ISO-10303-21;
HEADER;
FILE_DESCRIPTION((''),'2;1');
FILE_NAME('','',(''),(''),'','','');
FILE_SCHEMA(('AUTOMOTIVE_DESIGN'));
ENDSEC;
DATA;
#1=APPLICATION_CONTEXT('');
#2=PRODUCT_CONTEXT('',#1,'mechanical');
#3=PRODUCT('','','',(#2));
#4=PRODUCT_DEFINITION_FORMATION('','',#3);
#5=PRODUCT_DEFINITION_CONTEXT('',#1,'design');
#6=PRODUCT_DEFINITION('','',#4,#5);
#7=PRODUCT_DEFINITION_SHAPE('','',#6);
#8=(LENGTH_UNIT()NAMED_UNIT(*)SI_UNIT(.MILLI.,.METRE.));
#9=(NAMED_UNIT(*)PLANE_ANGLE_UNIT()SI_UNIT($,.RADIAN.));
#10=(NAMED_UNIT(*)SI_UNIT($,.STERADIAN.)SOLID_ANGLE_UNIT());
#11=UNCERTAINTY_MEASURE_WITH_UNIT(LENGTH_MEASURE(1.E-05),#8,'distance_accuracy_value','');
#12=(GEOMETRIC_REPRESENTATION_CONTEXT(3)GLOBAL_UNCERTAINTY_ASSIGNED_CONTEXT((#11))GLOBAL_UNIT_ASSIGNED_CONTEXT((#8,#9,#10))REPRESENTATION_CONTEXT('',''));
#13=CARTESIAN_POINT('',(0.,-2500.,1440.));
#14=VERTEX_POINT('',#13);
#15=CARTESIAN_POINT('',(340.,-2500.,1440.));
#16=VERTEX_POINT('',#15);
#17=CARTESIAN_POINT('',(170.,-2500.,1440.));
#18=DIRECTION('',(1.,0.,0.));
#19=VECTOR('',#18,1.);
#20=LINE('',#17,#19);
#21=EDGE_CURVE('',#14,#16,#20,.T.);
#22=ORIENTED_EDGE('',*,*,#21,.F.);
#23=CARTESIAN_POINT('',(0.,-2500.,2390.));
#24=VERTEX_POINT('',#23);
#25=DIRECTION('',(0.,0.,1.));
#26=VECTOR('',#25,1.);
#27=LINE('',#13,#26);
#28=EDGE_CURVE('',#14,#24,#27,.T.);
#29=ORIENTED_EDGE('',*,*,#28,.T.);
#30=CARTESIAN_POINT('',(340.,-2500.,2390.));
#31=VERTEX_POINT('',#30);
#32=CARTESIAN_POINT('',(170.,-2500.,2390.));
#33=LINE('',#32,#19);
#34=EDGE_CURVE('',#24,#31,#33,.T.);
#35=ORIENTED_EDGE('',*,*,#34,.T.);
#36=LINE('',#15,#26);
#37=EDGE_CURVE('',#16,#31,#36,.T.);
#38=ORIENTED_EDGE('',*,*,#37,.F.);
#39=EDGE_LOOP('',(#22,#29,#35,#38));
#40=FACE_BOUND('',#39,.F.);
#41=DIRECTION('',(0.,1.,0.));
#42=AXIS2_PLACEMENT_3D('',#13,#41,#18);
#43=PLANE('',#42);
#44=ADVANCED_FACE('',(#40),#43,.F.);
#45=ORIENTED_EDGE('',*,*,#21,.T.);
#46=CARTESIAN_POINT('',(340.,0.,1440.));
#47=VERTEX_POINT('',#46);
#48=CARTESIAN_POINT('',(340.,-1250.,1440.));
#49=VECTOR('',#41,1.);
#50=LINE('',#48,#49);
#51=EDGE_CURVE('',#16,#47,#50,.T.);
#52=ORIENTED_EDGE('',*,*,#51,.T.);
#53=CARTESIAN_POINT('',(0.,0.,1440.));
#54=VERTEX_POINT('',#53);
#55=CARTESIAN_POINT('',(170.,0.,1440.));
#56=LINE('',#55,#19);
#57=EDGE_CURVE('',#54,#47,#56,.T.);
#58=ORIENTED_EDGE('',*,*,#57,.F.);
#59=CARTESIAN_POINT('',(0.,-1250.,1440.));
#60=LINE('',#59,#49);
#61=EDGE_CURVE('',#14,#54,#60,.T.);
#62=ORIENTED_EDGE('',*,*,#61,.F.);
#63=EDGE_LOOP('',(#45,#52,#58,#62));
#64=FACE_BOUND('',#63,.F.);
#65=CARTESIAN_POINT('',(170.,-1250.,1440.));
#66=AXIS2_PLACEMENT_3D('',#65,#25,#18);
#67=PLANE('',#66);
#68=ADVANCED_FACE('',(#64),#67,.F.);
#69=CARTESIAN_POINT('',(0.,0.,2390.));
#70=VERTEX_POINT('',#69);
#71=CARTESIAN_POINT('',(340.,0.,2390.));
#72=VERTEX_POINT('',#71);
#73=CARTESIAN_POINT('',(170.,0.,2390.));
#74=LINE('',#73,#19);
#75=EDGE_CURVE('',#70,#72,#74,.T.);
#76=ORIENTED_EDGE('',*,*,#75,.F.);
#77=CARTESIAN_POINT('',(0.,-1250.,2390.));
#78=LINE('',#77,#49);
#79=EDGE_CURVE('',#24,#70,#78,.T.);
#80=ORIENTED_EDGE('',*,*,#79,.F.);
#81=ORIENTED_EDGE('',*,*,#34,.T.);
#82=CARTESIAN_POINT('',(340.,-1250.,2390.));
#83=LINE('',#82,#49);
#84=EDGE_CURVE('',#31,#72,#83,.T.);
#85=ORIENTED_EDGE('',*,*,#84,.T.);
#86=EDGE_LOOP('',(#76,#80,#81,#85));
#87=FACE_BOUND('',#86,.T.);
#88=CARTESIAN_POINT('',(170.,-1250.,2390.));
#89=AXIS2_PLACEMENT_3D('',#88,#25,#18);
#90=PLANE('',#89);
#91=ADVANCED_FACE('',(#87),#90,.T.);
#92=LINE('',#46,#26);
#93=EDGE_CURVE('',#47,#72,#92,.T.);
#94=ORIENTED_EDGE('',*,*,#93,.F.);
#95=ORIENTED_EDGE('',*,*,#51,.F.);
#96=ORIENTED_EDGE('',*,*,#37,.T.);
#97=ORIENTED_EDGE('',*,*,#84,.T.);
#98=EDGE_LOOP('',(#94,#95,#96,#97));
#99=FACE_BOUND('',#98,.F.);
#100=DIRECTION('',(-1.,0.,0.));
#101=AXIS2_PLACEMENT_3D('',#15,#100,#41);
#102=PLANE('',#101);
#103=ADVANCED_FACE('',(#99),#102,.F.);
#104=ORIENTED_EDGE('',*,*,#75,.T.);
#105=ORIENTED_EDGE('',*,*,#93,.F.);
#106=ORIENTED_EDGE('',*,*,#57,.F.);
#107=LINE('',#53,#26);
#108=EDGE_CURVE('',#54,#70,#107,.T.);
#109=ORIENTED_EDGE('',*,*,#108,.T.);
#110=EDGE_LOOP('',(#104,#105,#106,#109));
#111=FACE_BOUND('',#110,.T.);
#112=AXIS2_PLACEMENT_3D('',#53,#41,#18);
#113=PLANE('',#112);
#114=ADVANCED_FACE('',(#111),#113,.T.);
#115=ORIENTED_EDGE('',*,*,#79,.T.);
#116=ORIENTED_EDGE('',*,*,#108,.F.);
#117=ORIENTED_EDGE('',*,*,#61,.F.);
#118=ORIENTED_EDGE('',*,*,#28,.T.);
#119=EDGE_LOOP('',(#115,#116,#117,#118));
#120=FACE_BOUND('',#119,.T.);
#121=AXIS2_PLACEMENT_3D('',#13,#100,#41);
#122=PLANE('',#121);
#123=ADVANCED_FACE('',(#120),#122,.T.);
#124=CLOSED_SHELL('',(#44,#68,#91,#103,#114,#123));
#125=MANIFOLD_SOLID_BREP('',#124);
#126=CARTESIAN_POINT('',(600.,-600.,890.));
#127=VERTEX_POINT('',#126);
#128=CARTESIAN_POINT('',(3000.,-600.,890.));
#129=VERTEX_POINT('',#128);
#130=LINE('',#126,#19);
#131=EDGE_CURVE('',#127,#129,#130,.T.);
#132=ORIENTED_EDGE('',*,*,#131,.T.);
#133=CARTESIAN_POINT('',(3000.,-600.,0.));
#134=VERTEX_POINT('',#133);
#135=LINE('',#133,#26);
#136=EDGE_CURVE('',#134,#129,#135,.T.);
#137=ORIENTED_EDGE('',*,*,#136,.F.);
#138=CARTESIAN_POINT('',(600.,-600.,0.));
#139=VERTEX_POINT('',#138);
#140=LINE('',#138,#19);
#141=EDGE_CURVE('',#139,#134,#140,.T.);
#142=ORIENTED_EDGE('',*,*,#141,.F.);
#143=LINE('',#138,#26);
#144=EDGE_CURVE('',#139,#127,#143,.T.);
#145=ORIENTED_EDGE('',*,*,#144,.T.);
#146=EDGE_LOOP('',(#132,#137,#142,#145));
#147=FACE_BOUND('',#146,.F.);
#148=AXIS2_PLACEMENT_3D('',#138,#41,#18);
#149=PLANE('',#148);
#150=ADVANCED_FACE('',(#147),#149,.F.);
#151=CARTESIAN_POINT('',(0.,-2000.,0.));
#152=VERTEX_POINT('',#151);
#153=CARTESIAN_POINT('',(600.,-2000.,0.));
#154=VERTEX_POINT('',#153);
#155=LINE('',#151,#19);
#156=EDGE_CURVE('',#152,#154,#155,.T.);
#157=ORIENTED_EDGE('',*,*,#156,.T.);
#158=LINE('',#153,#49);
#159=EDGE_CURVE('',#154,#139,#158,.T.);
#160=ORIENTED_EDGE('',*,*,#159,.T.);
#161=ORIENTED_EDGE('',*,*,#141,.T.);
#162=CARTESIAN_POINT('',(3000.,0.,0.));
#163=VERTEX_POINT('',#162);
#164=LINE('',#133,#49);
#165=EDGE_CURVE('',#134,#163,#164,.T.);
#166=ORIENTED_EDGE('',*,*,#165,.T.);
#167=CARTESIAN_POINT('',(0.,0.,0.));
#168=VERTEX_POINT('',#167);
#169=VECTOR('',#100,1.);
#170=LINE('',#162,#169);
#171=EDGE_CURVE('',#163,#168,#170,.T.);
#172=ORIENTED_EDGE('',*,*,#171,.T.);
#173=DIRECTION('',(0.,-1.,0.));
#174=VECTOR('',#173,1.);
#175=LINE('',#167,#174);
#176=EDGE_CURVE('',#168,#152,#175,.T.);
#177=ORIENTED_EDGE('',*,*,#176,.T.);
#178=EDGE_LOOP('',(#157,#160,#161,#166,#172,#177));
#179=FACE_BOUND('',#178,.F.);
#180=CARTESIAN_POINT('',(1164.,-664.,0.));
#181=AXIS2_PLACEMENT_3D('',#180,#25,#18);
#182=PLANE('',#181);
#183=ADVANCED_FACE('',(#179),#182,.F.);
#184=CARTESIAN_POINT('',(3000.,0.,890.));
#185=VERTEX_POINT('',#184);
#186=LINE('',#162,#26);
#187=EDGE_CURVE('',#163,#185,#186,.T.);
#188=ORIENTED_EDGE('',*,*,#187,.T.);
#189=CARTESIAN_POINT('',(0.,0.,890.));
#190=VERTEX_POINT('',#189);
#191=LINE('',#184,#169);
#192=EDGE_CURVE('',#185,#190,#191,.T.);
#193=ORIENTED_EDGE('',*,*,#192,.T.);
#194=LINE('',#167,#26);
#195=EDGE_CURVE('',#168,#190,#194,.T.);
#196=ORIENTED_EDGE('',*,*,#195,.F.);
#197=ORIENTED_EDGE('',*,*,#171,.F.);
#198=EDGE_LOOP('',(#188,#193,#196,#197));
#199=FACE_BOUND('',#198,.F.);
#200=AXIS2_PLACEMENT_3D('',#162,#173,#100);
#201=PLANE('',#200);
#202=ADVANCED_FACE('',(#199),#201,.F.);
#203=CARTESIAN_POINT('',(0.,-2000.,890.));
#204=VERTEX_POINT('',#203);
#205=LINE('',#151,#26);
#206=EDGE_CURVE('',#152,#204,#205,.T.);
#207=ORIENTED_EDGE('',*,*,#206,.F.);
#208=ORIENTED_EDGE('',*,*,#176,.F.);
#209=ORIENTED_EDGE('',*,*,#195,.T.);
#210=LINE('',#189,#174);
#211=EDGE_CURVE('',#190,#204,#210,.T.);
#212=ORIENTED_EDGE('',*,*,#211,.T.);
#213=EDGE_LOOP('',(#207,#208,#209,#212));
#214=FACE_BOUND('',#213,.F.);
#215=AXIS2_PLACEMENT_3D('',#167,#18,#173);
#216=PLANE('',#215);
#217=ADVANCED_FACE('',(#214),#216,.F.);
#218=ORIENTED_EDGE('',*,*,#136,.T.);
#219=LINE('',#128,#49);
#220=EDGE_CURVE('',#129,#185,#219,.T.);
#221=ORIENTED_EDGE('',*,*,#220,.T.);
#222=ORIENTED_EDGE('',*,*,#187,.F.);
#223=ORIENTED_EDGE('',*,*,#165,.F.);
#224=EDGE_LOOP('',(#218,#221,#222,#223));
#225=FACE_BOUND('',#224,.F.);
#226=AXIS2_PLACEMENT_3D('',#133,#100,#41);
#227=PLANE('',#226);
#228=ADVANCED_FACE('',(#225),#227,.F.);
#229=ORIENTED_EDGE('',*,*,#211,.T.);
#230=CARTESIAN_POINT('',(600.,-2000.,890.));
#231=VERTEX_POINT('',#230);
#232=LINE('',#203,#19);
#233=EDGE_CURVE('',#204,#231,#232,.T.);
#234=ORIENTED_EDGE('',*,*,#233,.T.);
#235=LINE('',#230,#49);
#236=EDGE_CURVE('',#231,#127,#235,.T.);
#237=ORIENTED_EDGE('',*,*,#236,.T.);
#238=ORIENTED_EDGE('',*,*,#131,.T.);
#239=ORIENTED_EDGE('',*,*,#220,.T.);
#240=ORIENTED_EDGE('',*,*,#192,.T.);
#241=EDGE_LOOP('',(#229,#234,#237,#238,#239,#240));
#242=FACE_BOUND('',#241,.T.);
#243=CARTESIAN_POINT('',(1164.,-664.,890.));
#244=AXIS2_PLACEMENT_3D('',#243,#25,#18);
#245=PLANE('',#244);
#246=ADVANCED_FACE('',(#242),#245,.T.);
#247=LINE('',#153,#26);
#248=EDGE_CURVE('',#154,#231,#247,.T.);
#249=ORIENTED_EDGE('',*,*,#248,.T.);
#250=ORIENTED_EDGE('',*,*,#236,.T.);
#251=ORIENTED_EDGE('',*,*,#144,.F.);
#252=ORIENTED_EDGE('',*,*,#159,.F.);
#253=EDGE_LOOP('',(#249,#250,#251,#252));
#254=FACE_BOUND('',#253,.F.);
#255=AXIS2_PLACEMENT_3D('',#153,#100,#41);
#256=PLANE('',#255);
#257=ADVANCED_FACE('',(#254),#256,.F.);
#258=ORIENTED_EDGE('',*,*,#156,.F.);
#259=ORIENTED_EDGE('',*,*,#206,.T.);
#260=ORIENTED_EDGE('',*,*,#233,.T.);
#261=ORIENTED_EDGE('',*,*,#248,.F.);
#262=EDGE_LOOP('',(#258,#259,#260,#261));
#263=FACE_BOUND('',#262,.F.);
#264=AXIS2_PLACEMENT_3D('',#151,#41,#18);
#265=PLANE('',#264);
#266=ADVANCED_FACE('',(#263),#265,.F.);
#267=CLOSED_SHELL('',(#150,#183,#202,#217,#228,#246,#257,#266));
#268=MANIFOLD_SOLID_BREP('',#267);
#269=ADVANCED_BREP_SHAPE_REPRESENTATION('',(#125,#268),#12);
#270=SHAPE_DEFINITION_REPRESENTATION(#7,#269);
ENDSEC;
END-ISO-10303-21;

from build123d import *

# Parameters (mm, degrees)
F1_DEPTH = 890
F3_W     = 340
F3_H     = 2500
F4_DEPTH = 950


with BuildPart() as f1:
    # F0 (on Top) → F1 (new body)
    with BuildSketch(Plane.XY):
        Polygon((3000, 0), (0, 0), (0, -2000), (600, -2000), (600, -600), (3000, -600), align=None)
    extrude(amount=F1_DEPTH)


with BuildPart() as f4:
    # F3 (on offset) → F4 (new body)
    with BuildSketch(Plane.XY.offset(1440)):
        with Locations((170, -1250)):
            Rectangle(F3_W, F3_H)
    extrude(amount=F4_DEPTH)


solid = Compound([f1.part, f4.part])
